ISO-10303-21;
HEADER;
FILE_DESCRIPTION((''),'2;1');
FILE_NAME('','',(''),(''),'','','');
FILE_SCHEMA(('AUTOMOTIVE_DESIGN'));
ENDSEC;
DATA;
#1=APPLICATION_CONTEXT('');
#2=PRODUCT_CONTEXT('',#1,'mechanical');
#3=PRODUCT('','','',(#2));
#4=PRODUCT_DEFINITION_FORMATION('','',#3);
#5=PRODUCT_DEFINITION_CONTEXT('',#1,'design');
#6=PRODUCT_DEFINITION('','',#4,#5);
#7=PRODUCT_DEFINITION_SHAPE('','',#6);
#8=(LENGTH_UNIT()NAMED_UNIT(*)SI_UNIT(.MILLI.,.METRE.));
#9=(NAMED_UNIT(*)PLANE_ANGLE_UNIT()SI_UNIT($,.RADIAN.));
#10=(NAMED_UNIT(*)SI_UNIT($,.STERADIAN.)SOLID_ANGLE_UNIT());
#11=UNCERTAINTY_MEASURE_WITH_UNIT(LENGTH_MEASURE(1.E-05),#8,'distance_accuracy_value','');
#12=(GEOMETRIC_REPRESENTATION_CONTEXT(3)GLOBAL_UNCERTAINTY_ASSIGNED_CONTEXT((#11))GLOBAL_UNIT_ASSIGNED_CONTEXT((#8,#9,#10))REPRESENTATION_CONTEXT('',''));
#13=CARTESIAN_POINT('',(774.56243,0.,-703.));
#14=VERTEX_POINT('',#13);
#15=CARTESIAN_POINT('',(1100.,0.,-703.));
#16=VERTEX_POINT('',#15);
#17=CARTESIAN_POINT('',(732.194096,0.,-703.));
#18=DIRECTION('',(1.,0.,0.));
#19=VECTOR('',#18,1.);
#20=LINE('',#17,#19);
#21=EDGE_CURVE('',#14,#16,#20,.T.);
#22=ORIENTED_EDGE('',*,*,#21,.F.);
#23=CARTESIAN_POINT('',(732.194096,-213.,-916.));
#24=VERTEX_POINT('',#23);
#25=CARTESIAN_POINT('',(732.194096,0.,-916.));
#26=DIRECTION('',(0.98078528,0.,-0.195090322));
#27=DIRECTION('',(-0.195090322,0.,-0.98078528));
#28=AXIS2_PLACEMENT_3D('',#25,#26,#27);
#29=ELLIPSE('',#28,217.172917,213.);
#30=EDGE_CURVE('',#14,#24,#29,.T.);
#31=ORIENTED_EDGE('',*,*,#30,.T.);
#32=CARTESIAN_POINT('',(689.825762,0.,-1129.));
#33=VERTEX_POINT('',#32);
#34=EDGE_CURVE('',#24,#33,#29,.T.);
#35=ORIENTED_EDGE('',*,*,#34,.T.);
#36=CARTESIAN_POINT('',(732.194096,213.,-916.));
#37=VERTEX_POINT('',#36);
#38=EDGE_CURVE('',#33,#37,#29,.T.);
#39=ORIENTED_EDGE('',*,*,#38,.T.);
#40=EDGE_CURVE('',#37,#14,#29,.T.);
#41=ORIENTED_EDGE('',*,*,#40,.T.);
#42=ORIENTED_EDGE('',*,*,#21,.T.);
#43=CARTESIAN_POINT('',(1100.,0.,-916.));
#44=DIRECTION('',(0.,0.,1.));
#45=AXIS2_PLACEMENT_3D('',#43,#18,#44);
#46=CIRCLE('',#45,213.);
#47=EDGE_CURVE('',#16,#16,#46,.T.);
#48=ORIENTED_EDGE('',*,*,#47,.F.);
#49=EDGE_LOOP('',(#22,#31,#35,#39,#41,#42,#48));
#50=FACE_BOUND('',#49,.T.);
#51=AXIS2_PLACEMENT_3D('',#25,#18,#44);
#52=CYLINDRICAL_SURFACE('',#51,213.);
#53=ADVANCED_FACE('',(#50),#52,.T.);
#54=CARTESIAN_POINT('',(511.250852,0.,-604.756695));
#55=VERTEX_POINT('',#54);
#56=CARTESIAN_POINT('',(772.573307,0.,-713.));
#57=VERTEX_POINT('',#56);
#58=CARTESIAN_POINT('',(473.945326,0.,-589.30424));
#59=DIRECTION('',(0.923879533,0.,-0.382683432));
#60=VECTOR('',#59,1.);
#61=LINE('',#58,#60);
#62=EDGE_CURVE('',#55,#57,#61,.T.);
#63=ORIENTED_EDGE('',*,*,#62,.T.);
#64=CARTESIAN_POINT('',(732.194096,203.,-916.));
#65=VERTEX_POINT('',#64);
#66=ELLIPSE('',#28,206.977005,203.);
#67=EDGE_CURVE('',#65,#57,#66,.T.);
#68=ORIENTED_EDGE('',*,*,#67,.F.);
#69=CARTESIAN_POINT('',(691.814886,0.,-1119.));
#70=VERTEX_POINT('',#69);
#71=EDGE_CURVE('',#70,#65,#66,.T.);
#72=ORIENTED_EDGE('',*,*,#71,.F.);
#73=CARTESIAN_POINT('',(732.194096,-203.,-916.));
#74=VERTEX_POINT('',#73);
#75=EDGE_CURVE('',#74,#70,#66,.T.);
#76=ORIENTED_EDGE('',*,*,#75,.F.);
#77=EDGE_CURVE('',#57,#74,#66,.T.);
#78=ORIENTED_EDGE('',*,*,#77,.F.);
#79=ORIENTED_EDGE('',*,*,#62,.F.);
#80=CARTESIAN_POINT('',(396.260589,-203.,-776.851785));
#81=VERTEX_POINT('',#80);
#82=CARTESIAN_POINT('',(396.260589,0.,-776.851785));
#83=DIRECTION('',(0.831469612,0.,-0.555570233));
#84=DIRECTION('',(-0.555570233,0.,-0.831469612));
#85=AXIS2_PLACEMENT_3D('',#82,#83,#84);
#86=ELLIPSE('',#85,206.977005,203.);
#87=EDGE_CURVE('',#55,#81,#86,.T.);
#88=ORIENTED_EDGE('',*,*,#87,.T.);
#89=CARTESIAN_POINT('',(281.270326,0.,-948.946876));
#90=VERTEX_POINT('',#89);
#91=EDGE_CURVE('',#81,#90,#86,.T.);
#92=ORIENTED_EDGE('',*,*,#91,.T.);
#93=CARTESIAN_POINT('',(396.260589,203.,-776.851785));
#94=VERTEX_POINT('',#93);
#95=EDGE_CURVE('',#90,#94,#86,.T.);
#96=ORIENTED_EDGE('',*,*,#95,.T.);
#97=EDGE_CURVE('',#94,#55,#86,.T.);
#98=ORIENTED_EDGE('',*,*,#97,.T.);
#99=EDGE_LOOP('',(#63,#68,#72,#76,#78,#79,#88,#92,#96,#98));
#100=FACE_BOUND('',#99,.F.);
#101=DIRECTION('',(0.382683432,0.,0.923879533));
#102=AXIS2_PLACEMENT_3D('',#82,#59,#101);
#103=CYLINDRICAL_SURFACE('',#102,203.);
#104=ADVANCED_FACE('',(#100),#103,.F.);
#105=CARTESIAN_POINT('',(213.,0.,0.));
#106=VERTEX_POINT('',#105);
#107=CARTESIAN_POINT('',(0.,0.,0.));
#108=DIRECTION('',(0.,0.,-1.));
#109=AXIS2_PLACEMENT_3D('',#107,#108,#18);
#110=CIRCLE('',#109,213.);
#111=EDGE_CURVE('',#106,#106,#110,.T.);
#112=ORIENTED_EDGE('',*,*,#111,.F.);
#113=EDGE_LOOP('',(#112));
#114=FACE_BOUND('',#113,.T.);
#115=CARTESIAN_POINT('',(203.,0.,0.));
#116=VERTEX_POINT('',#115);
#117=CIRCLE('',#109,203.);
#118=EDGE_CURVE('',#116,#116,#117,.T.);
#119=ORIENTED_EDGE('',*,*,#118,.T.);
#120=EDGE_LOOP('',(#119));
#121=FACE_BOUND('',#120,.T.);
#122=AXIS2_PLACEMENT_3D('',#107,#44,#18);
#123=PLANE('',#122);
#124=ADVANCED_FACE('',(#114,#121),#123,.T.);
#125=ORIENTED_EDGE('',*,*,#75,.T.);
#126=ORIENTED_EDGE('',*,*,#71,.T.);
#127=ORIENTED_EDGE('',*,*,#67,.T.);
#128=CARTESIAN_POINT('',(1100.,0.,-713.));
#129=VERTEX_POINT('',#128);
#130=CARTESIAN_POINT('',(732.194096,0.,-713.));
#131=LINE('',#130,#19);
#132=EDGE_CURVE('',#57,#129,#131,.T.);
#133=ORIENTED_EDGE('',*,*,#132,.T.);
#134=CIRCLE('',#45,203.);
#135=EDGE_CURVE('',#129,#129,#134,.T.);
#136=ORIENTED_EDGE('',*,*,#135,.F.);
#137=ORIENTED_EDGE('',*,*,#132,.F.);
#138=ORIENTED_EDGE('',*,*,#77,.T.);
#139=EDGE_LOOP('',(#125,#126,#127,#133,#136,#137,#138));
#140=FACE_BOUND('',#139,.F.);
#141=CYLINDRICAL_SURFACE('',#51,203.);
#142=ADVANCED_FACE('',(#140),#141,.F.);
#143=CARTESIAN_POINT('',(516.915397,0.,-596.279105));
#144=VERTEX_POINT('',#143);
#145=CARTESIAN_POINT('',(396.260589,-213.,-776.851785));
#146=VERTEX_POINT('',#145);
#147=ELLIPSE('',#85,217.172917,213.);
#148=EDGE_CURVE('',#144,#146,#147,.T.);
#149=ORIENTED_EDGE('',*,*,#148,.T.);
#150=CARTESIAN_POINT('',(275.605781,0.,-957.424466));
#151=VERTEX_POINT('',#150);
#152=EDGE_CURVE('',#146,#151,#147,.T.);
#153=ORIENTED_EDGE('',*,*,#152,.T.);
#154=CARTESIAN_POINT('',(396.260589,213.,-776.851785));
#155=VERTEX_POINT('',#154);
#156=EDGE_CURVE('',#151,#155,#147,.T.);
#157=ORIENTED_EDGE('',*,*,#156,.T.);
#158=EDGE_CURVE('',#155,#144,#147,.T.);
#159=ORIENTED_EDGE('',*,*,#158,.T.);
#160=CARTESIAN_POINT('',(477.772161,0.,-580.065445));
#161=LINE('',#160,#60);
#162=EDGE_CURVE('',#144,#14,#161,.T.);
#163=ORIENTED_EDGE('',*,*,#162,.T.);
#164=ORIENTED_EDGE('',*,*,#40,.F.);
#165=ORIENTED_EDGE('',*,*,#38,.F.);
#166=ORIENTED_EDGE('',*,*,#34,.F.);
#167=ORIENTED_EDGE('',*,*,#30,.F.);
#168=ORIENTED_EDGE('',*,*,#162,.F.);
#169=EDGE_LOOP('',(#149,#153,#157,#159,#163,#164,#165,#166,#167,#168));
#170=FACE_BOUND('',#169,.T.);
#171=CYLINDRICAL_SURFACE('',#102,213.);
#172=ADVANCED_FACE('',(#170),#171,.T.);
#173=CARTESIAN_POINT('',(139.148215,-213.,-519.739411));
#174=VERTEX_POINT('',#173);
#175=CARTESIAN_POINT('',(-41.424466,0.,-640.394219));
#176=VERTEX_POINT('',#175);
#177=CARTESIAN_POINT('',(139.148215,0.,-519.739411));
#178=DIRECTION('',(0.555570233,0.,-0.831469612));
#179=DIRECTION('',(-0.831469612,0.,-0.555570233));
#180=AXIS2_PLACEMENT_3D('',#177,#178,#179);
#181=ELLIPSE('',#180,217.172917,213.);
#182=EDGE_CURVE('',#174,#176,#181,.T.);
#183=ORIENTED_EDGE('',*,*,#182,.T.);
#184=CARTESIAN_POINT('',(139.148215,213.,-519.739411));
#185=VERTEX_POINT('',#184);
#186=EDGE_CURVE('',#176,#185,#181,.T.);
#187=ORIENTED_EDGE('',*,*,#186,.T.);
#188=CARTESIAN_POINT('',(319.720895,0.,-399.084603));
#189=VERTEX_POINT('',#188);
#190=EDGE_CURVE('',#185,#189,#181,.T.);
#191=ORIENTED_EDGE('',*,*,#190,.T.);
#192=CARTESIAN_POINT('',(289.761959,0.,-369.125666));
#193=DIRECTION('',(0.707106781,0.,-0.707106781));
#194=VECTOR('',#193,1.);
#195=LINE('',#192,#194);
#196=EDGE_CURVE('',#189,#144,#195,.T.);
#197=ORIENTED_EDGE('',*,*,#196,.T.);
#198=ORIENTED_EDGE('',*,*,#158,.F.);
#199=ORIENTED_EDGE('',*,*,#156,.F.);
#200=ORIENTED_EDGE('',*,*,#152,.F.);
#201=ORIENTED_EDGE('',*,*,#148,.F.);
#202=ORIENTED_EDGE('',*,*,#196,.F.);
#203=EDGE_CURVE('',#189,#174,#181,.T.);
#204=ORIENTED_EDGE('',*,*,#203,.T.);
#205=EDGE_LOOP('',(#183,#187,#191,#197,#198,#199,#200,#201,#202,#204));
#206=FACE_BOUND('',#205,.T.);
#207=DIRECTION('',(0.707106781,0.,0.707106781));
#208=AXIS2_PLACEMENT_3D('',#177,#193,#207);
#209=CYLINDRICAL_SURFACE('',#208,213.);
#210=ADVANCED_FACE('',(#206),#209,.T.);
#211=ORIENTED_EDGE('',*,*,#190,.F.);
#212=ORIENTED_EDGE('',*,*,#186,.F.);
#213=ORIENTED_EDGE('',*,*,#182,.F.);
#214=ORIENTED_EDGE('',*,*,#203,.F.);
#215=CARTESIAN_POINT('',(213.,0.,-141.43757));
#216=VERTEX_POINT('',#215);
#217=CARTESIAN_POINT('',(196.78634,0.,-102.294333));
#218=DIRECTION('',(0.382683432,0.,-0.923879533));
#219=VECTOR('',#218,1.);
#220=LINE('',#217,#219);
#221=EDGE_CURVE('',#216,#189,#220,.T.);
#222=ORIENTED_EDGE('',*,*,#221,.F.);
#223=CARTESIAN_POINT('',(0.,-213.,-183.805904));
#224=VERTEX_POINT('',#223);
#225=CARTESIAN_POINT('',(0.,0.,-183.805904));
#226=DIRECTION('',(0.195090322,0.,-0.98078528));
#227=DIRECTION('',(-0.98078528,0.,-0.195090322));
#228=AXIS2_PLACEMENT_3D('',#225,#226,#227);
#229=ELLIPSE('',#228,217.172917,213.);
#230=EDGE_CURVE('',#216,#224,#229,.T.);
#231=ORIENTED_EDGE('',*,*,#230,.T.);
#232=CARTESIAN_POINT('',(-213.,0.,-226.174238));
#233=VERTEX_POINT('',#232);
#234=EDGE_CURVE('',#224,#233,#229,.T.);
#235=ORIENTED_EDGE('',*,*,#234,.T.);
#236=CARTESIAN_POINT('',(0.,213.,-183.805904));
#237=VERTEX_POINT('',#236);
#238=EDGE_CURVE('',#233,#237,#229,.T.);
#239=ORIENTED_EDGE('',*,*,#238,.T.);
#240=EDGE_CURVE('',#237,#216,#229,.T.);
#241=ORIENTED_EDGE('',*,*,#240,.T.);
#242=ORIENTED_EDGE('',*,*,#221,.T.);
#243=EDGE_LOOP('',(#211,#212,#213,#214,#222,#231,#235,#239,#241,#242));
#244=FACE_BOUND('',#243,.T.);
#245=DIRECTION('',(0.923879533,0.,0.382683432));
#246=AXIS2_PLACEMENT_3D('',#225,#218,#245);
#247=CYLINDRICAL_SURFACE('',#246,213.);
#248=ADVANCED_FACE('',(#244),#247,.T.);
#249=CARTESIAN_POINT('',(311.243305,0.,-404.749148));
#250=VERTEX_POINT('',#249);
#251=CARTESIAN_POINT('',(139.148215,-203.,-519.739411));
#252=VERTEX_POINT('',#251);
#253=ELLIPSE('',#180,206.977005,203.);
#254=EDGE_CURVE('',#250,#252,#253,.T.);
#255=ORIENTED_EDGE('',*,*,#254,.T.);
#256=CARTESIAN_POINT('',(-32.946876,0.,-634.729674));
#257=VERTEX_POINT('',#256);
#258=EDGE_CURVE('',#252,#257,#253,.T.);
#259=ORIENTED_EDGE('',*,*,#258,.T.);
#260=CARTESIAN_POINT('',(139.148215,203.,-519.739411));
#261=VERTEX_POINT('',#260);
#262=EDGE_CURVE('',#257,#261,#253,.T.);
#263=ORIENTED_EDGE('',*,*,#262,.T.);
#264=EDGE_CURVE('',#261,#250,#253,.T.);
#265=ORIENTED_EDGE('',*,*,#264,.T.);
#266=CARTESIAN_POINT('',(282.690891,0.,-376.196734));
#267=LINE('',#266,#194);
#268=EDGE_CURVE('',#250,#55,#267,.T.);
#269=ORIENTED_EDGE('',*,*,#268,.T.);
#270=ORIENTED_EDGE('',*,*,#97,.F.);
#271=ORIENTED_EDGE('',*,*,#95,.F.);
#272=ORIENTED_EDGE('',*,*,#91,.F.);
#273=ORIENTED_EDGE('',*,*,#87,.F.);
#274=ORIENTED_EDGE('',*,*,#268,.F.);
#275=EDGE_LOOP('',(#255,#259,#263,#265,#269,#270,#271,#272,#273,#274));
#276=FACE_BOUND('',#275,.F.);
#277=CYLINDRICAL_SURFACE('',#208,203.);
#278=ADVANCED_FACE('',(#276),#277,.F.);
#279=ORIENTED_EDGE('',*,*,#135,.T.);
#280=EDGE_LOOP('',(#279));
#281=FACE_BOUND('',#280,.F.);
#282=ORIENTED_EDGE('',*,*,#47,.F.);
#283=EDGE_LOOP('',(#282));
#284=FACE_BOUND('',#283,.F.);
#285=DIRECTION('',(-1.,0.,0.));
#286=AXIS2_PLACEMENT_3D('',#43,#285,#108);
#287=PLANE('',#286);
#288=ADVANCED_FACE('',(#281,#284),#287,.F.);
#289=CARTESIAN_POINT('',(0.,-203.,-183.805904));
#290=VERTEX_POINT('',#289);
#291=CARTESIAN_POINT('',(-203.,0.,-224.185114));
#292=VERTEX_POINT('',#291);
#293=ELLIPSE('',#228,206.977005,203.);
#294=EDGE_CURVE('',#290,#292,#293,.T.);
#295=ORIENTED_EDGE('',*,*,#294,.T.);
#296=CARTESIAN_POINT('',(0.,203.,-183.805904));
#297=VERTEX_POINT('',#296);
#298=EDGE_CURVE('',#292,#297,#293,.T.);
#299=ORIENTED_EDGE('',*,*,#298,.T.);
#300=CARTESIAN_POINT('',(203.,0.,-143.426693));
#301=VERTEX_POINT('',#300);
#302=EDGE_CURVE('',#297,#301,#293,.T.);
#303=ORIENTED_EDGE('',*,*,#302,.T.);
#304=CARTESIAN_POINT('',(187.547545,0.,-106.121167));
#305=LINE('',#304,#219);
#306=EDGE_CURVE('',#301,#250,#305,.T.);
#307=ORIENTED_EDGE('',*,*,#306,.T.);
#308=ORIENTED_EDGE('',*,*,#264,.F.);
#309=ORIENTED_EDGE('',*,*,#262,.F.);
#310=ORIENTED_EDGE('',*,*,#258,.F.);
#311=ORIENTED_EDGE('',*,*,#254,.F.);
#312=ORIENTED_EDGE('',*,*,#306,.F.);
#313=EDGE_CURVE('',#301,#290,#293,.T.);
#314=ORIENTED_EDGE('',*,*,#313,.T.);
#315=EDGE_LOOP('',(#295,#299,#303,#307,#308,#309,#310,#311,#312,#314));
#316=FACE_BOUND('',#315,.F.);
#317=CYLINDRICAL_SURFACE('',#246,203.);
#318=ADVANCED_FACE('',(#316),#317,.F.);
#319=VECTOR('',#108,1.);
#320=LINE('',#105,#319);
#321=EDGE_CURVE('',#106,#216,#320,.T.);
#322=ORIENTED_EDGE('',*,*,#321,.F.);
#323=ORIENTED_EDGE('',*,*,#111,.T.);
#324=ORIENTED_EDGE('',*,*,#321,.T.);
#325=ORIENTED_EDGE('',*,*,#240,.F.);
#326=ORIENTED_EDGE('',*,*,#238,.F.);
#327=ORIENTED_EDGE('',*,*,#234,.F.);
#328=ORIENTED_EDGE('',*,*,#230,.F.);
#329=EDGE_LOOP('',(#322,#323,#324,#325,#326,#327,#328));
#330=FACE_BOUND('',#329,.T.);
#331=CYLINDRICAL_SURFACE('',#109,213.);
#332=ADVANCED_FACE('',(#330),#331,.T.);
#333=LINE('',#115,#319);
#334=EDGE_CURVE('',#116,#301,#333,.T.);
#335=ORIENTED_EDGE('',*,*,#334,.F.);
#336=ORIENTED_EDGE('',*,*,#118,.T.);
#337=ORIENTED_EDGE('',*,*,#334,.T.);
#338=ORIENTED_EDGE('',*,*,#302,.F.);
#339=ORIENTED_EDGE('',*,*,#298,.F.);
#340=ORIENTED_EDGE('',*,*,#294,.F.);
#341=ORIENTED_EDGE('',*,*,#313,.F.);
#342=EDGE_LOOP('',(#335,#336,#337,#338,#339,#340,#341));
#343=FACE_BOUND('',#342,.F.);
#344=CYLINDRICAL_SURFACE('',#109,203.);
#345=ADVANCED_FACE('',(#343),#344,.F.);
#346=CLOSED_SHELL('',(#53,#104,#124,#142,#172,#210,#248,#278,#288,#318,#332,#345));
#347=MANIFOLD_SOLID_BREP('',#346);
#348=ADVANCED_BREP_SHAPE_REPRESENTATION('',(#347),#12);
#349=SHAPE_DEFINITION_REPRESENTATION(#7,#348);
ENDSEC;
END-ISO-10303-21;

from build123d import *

# Parameters (mm, degrees)
F1_R   = 213
F1_R_2 = 203


with BuildPart() as f2:
    # F2: sweep along a path in F0
    with BuildLine(Plane.XZ) as f2_path:
        Line((0, 0), (0, -183.805903785))
        Line((0, -183.805903785), (139.1482145694, -519.7394105784))
        Line((139.1482145694, -519.7394105784), (396.2605894216, -776.8517854306))
        Line((396.2605894216, -776.8517854306), (732.194096215, -916))
        Line((732.194096215, -916), (1100, -916))
    # F1 (on Top) → F2 (sweep)
    with BuildSketch(Plane.XY):
        Circle(F1_R)
        Circle(F1_R_2, mode=Mode.SUBTRACT)
    sweep(path=f2_path.line, transition=Transition.RIGHT)


solid = f2.part
